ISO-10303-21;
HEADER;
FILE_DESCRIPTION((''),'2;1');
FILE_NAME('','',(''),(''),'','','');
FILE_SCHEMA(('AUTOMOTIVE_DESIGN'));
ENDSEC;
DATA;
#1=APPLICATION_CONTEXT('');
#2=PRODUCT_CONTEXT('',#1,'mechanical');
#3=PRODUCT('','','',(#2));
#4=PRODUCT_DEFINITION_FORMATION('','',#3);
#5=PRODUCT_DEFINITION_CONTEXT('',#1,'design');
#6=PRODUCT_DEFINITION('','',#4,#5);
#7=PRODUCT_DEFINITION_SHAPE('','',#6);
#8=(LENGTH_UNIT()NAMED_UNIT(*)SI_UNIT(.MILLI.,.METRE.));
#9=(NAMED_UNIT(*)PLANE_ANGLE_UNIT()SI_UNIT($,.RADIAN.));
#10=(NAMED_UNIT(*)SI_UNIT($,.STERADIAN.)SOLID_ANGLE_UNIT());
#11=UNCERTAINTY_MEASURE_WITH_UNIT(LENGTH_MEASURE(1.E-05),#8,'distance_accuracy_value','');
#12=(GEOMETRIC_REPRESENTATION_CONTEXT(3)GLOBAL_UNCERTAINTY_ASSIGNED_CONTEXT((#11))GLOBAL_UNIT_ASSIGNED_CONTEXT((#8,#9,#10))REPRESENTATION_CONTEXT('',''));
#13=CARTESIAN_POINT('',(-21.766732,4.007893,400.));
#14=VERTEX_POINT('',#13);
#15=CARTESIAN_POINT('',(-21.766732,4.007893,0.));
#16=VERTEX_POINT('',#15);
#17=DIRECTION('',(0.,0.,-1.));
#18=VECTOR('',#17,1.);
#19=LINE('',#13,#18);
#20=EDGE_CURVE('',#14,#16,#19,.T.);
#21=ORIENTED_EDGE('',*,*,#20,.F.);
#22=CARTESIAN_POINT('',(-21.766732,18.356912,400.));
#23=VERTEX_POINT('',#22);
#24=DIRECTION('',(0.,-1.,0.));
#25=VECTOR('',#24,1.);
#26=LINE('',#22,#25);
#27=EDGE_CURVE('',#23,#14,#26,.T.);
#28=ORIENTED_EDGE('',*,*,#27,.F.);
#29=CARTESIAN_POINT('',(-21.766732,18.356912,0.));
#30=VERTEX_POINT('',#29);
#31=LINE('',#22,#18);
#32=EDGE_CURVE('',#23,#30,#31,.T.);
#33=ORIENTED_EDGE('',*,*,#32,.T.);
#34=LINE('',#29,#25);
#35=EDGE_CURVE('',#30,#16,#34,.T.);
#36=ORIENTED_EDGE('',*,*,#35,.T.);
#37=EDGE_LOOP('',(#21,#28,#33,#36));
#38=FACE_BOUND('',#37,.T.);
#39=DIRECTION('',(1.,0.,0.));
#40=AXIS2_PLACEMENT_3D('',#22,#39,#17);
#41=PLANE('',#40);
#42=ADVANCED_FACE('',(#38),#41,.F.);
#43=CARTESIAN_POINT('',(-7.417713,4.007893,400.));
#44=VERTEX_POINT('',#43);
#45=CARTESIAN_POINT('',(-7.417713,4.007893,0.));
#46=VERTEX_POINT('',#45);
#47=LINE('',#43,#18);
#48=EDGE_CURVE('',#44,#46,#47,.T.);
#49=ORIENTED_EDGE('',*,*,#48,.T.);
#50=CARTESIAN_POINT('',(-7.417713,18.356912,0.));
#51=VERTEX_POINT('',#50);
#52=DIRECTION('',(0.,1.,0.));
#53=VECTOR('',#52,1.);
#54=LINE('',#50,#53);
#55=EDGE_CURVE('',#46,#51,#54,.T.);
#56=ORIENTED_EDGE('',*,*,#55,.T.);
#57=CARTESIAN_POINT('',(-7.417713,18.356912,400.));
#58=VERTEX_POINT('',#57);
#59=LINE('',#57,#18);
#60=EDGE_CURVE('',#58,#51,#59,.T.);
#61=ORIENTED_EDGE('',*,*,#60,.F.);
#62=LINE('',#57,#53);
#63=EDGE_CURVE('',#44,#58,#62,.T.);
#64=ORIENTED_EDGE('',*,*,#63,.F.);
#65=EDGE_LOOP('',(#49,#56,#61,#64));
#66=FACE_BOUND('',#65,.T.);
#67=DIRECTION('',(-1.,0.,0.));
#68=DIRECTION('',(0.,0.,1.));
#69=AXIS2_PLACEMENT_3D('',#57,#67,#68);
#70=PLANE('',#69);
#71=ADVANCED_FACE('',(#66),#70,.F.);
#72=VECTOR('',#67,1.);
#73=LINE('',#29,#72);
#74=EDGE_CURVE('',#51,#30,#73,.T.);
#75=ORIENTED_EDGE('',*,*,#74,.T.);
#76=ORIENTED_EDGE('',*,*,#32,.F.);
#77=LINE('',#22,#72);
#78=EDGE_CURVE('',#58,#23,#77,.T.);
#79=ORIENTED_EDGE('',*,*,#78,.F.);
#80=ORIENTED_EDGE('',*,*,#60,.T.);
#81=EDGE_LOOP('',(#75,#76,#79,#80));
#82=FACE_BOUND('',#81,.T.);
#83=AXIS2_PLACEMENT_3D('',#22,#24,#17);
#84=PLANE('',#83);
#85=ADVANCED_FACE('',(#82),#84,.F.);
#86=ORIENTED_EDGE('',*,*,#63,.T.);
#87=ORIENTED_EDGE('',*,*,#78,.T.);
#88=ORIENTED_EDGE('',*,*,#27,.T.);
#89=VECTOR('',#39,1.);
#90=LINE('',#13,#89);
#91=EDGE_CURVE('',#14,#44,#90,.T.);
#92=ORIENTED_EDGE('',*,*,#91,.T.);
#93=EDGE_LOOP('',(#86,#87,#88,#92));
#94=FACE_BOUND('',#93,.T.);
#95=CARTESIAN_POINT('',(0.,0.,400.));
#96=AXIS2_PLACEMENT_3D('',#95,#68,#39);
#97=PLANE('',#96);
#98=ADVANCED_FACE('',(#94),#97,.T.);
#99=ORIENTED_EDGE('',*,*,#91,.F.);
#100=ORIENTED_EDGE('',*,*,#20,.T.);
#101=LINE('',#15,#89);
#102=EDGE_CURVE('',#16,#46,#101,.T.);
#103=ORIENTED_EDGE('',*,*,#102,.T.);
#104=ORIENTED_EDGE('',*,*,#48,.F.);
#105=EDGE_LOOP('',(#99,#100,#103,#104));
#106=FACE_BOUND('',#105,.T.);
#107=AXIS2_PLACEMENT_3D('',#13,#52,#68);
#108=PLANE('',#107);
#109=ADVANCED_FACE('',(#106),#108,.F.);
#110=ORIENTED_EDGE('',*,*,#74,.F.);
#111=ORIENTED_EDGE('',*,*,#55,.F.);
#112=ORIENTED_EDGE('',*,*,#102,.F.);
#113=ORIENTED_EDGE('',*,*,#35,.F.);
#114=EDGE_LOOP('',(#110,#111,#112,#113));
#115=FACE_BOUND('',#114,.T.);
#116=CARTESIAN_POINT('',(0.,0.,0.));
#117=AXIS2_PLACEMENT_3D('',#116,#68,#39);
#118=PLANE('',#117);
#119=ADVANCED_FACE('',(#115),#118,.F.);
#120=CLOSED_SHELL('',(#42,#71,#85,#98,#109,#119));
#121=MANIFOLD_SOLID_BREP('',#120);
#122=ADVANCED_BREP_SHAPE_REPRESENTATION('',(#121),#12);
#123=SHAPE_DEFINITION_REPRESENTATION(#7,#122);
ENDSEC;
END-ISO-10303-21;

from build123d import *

# Parameters (mm, degrees)
SKETCH_1_W      = 14.349018657
SKETCH_1_H      = 14.349018657
EXTRUDE_1_DEPTH = 400


with BuildPart() as part:
    # 草图1 → 凸台-拉伸1 (new body)
    with BuildSketch(Plane.XY):
        with Locations((-14.592222363, 11.18240278)):
            Rectangle(SKETCH_1_W, SKETCH_1_H)
    extrude(amount=EXTRUDE_1_DEPTH)


solid = part.part
